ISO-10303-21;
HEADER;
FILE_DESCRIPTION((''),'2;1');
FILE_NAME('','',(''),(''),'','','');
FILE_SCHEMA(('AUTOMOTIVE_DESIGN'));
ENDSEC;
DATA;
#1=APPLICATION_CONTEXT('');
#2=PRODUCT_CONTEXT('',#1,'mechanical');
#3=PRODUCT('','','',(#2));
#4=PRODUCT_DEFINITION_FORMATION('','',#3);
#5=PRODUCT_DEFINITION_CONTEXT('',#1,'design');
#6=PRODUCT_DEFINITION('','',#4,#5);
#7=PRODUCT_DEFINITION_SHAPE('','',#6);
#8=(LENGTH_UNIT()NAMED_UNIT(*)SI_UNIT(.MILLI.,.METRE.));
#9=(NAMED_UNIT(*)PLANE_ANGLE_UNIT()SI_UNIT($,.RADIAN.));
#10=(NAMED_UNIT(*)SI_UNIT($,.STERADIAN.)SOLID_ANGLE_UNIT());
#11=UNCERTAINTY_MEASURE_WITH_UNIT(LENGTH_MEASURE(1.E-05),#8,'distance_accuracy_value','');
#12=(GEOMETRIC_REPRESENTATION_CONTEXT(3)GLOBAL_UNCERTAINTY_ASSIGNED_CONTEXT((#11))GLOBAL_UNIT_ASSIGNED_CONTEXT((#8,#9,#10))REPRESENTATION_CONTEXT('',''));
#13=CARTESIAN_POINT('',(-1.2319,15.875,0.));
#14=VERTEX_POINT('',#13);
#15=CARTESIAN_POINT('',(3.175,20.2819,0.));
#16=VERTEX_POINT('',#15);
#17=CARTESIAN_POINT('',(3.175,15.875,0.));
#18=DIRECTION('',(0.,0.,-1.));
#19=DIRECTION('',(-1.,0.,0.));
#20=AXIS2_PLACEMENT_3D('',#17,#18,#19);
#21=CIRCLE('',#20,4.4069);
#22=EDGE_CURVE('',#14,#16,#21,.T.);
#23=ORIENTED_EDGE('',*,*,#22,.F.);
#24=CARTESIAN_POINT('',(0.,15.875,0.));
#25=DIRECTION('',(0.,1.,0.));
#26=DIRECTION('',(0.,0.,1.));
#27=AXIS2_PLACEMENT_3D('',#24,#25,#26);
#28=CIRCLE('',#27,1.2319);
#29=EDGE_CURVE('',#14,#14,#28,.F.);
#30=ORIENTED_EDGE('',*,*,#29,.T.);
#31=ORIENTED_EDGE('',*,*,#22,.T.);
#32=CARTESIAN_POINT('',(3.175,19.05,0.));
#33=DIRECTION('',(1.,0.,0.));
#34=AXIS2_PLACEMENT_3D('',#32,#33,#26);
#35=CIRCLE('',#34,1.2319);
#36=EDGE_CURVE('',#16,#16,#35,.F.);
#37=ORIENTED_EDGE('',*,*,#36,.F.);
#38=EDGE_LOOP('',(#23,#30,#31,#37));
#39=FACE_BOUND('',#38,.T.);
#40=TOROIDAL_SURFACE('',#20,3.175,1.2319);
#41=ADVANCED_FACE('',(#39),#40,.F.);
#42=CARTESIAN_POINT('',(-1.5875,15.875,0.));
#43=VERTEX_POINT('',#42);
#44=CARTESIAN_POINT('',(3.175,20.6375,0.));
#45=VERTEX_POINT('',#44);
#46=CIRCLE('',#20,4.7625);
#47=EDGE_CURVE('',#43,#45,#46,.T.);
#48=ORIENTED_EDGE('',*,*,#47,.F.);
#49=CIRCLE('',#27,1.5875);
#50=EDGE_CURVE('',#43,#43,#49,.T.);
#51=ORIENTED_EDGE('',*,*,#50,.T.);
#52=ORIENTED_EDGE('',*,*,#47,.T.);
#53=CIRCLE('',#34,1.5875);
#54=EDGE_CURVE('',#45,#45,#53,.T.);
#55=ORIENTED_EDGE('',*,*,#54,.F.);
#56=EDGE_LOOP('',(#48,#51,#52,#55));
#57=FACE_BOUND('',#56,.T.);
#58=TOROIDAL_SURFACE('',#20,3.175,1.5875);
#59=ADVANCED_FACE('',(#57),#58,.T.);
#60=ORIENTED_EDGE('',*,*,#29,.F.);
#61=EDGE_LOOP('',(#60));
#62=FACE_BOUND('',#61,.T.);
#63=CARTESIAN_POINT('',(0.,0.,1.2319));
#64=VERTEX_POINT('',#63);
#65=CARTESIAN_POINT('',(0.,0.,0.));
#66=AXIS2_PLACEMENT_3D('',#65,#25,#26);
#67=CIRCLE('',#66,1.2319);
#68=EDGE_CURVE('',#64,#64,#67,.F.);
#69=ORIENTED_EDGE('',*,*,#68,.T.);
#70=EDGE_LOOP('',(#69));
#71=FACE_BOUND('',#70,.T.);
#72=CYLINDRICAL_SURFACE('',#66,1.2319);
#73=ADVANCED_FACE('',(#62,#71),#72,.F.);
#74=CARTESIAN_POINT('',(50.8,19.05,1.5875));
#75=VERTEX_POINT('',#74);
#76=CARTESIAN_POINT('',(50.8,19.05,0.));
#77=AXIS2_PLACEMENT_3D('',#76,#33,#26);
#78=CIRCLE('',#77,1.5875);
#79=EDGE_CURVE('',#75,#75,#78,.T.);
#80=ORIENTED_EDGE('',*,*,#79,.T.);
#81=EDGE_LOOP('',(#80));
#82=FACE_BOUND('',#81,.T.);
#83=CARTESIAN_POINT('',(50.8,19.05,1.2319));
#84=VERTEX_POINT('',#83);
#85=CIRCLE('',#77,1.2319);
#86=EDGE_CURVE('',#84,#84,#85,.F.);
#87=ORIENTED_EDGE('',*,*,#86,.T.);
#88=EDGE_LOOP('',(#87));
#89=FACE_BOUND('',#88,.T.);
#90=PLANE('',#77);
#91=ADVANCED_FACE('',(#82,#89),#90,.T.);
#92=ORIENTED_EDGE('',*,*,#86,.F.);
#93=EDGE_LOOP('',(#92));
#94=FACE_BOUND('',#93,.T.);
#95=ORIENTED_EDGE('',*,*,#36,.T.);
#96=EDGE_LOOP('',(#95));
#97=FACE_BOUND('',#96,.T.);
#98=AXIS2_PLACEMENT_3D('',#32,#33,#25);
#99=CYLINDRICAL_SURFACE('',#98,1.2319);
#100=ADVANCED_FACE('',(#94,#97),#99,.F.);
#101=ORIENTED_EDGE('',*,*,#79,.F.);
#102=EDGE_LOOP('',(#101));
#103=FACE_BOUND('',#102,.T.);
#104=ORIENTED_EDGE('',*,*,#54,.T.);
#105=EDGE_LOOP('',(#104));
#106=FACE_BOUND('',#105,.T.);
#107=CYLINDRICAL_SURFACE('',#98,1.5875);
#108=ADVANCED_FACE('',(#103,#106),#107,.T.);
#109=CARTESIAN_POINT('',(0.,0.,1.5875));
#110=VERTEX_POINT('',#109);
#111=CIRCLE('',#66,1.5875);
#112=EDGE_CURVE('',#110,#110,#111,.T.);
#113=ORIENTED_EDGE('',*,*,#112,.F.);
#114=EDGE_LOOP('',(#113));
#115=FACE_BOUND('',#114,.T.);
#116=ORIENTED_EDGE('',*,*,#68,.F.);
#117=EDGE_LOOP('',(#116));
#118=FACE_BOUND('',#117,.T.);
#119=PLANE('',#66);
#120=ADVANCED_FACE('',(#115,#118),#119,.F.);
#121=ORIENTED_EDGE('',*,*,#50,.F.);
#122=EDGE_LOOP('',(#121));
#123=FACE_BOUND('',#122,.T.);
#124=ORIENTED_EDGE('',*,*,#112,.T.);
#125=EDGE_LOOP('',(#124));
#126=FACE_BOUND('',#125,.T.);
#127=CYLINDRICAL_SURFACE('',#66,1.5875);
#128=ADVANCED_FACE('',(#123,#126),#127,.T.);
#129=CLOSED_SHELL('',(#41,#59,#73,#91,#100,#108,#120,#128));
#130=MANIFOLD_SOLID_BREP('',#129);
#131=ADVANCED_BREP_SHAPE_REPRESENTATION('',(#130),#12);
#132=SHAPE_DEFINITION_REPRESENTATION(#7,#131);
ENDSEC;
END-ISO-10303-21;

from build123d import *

# Parameters (mm, degrees)
SKETCH1_R   = 1.5875
SKETCH1_R_2 = 1.2319


with BuildPart() as part:
    # Sweep1: sweep along a path in Sketch2
    with BuildLine(Plane.XY) as sweep1_path:
        Line((0, 0), (0, 15.875))
        ThreePointArc((0, 15.875), (0.92993597, 18.12006403), (3.175, 19.05))
        Line((3.175, 19.05), (50.8, 19.05))
    # Sketch1 → Sweep1 (sweep)
    with BuildSketch(Plane(origin=(0, 0, 0), x_dir=(1, 0, 0), z_dir=(0, 1, 0))):
        Circle(SKETCH1_R)
        Circle(SKETCH1_R_2, mode=Mode.SUBTRACT)
    sweep(path=sweep1_path.line)


solid = part.part
